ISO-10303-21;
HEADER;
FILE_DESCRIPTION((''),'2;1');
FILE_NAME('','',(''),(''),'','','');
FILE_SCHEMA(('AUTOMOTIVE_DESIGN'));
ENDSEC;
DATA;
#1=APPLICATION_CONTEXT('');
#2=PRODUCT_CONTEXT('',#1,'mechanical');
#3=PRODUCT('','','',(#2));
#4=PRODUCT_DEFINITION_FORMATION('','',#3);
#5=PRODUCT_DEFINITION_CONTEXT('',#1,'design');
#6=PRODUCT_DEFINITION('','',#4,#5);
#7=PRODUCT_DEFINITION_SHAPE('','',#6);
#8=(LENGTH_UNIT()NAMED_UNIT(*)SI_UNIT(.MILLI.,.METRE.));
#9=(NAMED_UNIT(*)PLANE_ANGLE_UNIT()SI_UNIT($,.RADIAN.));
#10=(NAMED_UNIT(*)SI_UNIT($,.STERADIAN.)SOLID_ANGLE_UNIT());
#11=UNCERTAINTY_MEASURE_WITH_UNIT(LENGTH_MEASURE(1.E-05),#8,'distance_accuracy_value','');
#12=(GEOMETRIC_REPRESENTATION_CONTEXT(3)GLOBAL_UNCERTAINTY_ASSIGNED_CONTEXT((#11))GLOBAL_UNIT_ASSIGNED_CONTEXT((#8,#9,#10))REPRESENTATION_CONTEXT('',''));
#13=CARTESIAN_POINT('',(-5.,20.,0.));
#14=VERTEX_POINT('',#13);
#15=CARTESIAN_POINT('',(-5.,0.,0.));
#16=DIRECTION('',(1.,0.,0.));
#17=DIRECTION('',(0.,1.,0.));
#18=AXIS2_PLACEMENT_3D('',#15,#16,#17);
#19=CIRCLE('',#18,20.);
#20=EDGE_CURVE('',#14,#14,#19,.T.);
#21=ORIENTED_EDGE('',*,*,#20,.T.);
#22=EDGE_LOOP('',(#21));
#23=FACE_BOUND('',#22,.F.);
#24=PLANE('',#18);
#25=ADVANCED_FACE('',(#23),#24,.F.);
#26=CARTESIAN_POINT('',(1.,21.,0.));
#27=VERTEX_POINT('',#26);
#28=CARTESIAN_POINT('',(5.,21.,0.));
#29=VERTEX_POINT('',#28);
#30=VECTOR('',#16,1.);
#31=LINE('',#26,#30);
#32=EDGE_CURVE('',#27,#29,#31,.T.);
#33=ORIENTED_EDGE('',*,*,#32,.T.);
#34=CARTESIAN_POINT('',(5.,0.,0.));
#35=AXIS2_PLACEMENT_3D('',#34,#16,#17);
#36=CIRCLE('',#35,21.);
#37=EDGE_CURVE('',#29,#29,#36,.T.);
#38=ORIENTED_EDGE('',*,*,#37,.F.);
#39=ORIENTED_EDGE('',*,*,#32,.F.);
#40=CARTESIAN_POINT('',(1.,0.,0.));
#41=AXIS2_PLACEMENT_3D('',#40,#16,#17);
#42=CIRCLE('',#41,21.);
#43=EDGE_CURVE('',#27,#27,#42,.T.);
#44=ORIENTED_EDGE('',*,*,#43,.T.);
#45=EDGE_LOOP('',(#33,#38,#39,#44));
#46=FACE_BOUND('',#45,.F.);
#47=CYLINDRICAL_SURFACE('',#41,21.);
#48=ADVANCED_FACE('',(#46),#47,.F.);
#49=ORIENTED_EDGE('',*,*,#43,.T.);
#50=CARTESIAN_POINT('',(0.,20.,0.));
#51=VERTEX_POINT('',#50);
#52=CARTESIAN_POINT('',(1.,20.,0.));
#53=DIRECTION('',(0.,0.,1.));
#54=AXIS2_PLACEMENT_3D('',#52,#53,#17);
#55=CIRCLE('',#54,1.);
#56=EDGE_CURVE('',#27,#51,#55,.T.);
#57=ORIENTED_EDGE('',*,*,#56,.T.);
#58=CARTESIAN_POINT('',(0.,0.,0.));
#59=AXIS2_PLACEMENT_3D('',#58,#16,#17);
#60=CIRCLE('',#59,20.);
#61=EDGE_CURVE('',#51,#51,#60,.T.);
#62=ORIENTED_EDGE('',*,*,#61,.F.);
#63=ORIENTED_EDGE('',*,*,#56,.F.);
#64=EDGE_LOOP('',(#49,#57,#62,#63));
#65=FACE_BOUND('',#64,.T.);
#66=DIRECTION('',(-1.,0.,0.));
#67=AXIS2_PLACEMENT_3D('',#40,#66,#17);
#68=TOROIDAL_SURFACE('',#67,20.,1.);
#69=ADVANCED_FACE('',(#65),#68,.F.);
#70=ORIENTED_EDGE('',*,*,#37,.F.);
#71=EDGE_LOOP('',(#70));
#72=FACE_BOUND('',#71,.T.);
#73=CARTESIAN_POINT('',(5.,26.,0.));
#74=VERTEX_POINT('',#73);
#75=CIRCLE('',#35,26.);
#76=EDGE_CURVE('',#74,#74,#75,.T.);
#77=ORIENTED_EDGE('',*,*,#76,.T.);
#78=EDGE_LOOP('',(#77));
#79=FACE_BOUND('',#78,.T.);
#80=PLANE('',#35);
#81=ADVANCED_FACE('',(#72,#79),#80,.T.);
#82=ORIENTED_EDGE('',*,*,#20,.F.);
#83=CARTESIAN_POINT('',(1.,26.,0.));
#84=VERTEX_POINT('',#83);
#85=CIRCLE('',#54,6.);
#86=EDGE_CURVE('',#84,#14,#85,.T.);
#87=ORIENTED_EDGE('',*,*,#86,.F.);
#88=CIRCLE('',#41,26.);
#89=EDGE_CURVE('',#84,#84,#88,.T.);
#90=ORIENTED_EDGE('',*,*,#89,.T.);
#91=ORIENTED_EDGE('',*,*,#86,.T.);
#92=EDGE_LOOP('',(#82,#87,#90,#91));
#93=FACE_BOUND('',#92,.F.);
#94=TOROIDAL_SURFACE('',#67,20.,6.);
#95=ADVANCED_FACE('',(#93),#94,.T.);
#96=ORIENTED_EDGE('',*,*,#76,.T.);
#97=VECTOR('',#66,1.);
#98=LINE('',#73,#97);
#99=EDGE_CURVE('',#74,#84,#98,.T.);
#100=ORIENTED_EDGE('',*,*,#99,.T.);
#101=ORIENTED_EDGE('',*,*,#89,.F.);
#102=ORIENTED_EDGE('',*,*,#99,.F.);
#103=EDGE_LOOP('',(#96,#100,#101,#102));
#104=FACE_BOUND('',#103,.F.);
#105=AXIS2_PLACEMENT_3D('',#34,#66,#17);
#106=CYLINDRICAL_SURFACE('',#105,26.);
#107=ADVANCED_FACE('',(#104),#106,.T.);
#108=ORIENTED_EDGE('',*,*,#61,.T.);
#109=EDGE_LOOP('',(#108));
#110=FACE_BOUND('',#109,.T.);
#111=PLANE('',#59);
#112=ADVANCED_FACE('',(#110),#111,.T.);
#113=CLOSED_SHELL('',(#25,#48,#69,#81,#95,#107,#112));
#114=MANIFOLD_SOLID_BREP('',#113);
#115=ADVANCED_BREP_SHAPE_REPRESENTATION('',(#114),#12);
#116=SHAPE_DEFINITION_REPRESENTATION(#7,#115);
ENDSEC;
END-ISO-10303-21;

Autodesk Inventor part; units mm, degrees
ref_plane "YZ Plane" through (0, 0, 0) normal (1, 0, 0) x (0, 1, 0)
ref_plane "XZ Plane" through (0, 0, 0) normal (0, 1, 0) x (-1, 0, 0)
ref_plane "XY Plane" through (0, 0, 0) normal (0, 0, 1) x (1, 0, 0)
sketch "Эскиз1" plane through (0, 0, 0) normal (0, 0, 1) x (1, 0, 0)
  line L0 (0, 0) -> (28.3511, 0) construction
  line L1 (0, 20) -> (0, 0)
  line L2 (1, 21) -> (5, 21)
  arc A0 (1, 21) -> (0, 20) centre (1, 20) ccw
  line L3 (5, 26) -> (1, 26)
  arc A1 (1, 26) -> (-5, 20) centre (1, 20) ccw
  line L4 (-5, 20) -> (-5, 0)
  line L5 (-5, 0) -> (3.5853, 0) construction
  line L6 (5, 26) -> (5, 21)
  line L7 (-5, 0) -> (0, 0)
  dimension "d0" = 42
  dimension "d1" = 1
  dimension "d2" = 5
  dimension "d3" = 52
  dimension "d5" = 10
revolve "Вращение1" add sketch "Эскиз1" angle 360 about axis through (0, 0, 0) along (1, 0, 0)
properties part number "Регулировка"
